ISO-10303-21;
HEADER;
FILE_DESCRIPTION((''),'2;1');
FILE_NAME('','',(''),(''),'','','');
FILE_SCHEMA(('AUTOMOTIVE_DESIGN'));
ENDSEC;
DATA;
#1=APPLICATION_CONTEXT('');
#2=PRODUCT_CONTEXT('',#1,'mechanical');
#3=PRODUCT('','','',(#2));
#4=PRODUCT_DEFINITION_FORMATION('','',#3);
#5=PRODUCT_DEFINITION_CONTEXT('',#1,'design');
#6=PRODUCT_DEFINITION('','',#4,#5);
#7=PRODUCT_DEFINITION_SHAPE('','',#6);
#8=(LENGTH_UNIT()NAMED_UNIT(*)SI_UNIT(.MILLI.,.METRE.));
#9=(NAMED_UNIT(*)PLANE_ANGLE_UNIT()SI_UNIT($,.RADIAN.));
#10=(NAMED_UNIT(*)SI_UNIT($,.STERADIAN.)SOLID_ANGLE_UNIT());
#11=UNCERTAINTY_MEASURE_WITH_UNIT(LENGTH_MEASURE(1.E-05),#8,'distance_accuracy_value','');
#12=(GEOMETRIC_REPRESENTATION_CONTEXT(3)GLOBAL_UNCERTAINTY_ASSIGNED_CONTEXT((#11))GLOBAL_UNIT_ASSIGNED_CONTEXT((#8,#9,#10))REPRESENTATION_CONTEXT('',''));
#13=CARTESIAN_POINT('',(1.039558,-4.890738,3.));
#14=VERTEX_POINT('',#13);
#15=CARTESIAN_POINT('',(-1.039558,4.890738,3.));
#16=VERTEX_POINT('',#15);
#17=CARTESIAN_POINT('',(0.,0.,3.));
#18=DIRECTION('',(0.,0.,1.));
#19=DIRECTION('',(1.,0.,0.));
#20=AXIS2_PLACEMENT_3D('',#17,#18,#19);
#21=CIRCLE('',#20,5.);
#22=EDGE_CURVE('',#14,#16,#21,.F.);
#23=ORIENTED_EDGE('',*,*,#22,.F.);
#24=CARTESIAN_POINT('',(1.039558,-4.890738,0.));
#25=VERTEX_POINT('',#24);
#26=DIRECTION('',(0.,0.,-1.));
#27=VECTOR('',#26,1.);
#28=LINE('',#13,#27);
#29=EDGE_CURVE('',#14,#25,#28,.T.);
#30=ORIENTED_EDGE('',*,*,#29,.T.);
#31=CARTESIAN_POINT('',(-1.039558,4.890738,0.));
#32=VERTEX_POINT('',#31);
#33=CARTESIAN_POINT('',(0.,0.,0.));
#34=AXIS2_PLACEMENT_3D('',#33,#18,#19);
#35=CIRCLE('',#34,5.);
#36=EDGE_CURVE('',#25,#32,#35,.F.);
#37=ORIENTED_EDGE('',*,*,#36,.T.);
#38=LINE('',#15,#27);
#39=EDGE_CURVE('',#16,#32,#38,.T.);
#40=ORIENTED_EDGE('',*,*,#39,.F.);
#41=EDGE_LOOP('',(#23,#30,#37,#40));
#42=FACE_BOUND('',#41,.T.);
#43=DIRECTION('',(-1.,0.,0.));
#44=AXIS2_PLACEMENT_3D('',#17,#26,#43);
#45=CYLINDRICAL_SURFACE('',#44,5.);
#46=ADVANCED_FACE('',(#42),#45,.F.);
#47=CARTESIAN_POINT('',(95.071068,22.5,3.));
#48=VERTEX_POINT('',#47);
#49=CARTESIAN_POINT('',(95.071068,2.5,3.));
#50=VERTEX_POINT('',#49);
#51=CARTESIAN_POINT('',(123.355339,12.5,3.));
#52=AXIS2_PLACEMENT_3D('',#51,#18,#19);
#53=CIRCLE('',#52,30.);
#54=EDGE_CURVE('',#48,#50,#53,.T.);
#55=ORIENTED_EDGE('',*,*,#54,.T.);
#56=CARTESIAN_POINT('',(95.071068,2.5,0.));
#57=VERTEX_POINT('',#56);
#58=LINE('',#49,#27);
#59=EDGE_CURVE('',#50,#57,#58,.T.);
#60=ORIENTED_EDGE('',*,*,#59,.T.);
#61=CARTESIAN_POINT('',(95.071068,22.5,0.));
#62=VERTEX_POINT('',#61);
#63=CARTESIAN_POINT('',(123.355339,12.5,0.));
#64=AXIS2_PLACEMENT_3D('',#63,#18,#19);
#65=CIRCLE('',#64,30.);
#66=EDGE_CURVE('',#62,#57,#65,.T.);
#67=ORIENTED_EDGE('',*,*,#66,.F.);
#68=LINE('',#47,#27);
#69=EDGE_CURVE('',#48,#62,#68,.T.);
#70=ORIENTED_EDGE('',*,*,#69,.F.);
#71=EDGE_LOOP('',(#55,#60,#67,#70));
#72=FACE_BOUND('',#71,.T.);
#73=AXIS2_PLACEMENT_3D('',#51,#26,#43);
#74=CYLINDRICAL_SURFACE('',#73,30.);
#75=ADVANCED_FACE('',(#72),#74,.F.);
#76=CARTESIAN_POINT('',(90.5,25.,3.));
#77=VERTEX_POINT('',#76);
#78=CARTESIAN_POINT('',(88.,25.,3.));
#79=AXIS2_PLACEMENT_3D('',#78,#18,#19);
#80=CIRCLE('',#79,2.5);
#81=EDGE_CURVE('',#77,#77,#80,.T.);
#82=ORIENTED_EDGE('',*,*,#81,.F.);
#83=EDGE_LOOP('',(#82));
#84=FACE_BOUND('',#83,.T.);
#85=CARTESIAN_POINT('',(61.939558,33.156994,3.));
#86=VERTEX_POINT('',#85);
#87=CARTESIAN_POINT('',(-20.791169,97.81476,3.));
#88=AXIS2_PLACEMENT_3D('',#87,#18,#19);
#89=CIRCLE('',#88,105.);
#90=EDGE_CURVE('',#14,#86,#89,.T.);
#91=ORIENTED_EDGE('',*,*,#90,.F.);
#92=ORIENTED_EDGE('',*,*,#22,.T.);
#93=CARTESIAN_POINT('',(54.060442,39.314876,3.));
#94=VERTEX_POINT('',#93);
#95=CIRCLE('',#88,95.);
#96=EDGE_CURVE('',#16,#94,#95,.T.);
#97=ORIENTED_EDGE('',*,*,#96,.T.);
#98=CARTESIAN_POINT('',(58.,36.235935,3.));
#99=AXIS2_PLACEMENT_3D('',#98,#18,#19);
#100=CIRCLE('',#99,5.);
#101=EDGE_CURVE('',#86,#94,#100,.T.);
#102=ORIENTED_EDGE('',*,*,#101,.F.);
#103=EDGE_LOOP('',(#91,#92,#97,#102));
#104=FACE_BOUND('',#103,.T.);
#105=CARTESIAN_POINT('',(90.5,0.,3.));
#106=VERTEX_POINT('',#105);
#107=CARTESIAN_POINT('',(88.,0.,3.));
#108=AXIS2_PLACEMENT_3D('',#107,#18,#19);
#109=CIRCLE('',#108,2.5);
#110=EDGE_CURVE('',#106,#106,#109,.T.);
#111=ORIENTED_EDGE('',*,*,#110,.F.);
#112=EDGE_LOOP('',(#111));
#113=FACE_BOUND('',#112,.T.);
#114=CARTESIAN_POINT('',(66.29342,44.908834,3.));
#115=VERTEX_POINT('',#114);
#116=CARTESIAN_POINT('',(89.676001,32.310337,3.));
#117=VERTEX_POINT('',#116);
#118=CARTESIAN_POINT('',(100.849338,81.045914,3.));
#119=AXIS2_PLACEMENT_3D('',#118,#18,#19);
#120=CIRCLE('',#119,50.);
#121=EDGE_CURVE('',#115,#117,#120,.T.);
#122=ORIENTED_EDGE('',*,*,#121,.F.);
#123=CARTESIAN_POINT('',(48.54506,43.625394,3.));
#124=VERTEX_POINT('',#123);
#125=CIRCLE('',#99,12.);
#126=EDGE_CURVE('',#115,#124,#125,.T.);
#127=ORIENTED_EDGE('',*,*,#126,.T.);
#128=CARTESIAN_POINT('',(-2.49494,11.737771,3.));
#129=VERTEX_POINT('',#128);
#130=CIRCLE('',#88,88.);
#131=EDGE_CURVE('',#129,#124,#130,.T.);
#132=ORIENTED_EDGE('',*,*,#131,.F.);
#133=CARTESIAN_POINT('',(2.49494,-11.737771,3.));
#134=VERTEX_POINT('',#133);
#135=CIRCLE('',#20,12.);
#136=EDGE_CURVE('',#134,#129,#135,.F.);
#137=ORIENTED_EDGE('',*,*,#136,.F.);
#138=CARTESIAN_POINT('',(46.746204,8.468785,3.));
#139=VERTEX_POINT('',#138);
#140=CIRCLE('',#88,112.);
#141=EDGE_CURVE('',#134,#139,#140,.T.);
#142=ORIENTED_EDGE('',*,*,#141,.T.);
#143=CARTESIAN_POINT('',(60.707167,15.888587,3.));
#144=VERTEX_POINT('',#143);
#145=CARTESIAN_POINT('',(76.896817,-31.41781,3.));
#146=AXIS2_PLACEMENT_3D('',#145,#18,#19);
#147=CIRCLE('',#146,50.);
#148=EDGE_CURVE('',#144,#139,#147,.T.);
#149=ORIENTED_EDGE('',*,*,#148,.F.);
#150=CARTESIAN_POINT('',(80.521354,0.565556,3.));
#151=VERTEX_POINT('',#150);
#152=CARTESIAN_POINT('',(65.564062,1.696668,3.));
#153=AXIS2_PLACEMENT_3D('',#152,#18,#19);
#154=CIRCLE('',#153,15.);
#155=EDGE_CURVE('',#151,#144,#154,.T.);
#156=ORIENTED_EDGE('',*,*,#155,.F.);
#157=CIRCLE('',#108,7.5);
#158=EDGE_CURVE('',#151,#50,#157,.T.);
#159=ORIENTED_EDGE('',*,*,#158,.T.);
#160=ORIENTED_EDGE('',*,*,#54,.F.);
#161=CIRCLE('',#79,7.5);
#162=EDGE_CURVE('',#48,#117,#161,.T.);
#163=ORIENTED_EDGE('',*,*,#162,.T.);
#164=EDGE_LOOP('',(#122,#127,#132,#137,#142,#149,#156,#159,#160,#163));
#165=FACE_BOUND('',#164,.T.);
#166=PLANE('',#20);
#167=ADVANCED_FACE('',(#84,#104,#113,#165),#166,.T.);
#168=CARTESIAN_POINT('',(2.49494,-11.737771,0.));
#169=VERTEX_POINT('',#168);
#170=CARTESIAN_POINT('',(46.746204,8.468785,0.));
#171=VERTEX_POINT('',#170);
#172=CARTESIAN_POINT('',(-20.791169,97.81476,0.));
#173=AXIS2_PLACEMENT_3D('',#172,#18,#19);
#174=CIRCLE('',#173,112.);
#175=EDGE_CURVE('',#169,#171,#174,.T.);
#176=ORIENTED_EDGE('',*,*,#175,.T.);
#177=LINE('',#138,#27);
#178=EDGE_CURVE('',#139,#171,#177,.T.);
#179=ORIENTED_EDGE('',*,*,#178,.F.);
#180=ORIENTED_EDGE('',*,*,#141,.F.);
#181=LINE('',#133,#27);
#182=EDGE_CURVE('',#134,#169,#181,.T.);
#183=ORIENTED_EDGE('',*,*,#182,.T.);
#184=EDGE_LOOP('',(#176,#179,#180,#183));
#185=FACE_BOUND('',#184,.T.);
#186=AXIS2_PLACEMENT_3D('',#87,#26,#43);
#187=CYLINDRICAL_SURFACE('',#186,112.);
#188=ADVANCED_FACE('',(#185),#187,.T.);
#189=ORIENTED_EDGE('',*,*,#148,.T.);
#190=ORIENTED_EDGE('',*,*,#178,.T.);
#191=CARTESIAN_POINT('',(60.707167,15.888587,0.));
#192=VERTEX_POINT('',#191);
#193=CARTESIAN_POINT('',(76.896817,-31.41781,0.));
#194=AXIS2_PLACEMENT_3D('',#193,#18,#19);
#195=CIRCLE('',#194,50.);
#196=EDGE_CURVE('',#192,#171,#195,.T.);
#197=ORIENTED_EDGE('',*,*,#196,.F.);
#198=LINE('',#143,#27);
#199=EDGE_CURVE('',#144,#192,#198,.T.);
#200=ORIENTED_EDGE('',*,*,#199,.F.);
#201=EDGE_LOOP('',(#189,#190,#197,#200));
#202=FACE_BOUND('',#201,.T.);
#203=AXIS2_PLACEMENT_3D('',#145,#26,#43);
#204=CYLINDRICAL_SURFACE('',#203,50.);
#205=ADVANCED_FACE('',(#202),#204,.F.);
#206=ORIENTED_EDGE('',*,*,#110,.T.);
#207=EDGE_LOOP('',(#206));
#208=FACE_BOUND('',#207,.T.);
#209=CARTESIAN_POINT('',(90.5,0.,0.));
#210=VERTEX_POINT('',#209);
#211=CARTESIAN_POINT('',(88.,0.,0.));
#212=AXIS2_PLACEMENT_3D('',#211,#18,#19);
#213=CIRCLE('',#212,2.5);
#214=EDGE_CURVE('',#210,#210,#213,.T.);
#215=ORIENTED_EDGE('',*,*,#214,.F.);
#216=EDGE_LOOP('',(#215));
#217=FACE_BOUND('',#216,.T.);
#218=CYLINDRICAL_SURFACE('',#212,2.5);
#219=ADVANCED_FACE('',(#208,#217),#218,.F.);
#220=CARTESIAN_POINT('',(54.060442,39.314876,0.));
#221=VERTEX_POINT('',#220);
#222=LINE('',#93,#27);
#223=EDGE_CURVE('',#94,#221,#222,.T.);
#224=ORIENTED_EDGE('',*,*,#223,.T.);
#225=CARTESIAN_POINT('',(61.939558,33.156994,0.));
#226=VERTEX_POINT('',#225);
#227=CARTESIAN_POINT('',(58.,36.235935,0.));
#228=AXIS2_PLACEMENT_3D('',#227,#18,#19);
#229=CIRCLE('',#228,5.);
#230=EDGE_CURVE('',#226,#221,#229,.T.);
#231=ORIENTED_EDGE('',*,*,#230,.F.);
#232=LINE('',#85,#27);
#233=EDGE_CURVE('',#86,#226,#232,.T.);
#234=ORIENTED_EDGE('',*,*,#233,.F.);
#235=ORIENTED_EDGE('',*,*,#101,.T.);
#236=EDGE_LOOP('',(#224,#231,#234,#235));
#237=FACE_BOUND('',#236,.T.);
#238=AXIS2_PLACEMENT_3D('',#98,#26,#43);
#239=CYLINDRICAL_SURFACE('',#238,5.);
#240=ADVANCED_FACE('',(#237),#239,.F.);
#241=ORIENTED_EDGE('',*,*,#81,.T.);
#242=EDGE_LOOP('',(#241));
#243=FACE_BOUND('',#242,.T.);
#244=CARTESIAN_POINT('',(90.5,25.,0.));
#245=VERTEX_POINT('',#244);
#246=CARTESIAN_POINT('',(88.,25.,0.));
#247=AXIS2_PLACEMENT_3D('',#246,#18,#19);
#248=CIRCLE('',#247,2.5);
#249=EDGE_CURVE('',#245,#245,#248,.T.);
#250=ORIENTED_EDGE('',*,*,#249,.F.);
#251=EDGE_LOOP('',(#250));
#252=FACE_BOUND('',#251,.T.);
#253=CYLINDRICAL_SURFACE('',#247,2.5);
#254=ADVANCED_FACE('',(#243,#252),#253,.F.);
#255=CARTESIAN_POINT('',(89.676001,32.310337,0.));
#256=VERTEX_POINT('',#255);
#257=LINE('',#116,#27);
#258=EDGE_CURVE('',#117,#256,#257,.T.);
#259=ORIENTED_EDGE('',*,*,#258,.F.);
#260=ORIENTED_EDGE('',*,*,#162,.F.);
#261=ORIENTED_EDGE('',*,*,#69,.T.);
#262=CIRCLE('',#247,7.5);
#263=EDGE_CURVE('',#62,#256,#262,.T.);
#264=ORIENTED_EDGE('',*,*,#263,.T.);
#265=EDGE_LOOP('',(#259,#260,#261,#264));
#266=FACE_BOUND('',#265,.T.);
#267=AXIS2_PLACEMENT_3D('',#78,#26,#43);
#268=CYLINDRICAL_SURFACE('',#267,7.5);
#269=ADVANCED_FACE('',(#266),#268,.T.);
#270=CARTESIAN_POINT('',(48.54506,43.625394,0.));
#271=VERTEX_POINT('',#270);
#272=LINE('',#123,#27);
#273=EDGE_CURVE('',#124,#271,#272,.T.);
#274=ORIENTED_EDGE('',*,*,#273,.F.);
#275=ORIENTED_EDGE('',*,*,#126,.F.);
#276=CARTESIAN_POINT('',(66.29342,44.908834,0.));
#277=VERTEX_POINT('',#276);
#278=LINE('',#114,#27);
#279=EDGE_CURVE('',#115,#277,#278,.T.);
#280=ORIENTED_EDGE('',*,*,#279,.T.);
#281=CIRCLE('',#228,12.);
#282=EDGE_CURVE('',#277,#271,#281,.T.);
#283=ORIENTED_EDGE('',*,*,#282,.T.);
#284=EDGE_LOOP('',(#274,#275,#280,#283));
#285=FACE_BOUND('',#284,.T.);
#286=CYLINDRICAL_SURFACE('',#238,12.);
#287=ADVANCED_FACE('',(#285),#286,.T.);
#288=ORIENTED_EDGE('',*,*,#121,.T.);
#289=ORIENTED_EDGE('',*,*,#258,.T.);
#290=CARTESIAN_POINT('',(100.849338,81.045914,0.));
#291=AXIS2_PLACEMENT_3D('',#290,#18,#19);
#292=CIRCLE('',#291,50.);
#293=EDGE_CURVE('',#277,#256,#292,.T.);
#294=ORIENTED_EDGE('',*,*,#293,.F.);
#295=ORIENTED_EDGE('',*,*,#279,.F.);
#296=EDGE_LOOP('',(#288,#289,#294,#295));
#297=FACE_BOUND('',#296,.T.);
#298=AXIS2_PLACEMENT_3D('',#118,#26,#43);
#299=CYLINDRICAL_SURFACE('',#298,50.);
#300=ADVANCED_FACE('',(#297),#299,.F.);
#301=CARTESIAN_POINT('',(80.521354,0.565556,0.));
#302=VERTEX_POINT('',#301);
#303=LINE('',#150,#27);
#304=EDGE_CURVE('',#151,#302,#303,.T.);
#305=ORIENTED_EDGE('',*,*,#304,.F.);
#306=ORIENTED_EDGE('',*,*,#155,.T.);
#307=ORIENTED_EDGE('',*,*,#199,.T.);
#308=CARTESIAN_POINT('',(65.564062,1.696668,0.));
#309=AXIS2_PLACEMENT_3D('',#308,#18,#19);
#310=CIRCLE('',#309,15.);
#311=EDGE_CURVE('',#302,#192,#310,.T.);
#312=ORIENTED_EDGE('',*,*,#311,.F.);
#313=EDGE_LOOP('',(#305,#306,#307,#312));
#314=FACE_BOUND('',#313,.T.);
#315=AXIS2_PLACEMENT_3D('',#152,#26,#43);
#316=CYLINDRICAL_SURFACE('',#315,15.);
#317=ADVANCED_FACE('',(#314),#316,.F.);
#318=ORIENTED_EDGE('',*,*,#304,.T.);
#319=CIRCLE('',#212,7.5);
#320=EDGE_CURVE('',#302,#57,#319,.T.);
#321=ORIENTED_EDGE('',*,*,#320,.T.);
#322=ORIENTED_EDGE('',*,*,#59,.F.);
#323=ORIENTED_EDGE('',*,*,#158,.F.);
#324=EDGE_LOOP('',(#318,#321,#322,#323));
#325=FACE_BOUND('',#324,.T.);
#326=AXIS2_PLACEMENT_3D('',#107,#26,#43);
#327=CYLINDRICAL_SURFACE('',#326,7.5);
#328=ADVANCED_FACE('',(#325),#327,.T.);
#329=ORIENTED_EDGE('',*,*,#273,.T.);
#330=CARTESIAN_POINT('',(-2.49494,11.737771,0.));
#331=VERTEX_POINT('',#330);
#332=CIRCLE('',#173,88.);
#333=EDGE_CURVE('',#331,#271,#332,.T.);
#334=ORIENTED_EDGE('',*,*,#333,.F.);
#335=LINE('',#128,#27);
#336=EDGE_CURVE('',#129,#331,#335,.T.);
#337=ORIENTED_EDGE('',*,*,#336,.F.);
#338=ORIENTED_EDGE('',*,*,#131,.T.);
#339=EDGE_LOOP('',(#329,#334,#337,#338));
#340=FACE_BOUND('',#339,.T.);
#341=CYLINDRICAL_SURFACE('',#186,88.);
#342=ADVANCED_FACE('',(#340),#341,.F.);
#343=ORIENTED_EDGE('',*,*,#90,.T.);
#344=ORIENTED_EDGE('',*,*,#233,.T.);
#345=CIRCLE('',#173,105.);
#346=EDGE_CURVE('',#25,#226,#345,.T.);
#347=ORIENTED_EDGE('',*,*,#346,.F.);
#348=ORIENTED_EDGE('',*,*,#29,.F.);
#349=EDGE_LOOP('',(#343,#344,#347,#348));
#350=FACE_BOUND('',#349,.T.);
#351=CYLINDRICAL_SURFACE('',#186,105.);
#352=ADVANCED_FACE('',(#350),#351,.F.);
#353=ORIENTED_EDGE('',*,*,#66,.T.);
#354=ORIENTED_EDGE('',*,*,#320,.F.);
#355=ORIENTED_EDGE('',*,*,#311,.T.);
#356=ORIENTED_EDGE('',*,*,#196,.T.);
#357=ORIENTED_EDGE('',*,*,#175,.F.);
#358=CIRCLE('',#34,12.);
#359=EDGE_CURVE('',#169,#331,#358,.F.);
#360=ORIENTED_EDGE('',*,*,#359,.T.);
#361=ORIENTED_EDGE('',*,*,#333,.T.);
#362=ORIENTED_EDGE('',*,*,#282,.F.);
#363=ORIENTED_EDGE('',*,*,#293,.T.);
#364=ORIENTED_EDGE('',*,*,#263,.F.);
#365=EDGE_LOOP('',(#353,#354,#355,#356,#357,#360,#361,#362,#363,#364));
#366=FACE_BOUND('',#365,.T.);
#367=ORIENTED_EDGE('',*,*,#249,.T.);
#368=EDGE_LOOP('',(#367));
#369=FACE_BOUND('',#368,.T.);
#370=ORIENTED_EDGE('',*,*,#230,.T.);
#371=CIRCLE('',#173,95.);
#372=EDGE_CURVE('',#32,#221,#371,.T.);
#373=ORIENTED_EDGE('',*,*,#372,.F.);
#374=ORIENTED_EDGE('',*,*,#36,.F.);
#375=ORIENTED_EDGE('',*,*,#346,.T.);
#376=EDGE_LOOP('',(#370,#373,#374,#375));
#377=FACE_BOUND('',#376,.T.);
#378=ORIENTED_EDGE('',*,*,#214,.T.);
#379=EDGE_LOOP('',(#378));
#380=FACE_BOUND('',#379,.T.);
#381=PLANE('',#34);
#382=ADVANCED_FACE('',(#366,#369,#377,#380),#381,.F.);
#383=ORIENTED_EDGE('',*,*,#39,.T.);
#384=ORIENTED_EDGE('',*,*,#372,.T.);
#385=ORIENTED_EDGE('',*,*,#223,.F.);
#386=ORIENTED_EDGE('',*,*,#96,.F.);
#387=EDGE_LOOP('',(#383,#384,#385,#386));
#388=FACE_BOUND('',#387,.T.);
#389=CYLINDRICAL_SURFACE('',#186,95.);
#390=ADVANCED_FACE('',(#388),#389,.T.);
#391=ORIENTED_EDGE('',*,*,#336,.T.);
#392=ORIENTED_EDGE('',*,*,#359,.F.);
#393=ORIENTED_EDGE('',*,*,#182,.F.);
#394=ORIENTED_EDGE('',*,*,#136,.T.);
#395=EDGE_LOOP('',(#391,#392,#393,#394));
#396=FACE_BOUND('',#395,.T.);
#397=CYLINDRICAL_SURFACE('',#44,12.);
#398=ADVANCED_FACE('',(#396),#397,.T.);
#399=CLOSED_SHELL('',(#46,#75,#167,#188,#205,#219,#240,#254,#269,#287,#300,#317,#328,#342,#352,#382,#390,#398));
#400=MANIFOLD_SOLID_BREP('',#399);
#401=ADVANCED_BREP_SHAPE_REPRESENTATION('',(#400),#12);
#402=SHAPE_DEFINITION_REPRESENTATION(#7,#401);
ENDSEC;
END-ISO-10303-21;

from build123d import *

# Parameters (mm, degrees)
EXTRUDE_1_DEPTH     = 3
EXTRUDE_2_DEPTH     = 3
SKETCH_3_R          = 2.5
CUT_EXTRUDE_1_DEPTH = 3
EXTRUDE_3_DEPTH     = 3
SKETCH_5_R          = 2.5
CUT_EXTRUDE_2_DEPTH = 108.032497136


with BuildPart() as part:
    # 草图1 → 凸台-拉伸1 (new body)
    with BuildSketch(Plane.XY):
        with BuildLine():
            ThreePointArc((-2.49494029, 11.737771209), (-11.737771209, -2.49494029), (2.49494029, -11.737771209))
            ThreePointArc((2.49494029, -11.737771209), (38.552147634, 2.82859918), (67.45494029, 28.846476198))
            ThreePointArc((67.45494029, 28.846476198), (65.389458987, 45.690875474), (48.54505971, 43.625394171))
            ThreePointArc((48.54505971, 43.625394171), (25.835722623, 23.182776515), (-2.49494029, 11.737771209))
        make_face()
        with BuildLine():
            ThreePointArc((61.939558454, 33.15699394), (34.843190339, 8.765234236), (1.039558454, -4.890738004))
            ThreePointArc((1.039558454, -4.890738004), (-4.890738004, -1.039558454), (-1.039558454, 4.890738004))
            ThreePointArc((-1.039558454, 4.890738004), (29.544679918, 17.246141459), (54.060441546, 39.314876429))
            ThreePointArc((54.060441546, 39.314876429), (61.078941244, 40.175493638), (61.939558454, 33.15699394))
        make_face(mode=Mode.SUBTRACT)
    extrude(amount=EXTRUDE_1_DEPTH)

    # 草图2 → 凸台-拉伸2 (add)
    with BuildSketch(Plane.XY):
        with BuildLine():
            ThreePointArc((89.676000633, 32.310336646), (77.132851548, 37.028551056), (66.293420251, 44.908834385))
            ThreePointArc((66.293420251, 44.908834385), (69.968747349, 37.101433246), (67.45494029, 28.846476198))
            ThreePointArc((67.45494029, 28.846476198), (57.764135997, 17.983287307), (46.746204448, 8.468785476))
            ThreePointArc((46.746204448, 8.468785476), (65.669563572, 17.30537468), (86.551758878, 17.641155141))
            ThreePointArc((86.551758878, 17.641155141), (95.33547477, 23.437690844), (89.676000633, 32.310336646))
        make_face()
    extrude(amount=EXTRUDE_2_DEPTH)

    # 草图3 → 切除-拉伸1 (cut)
    with BuildSketch(Plane.XY.offset(3)):
        with Locations((88, 25)):
            Circle(SKETCH_3_R)
    extrude(amount=-CUT_EXTRUDE_1_DEPTH, mode=Mode.SUBTRACT)

    # 草图4 → 凸台-拉伸3 (add)
    with BuildSketch(Plane.XY):
        with BuildLine():
            ThreePointArc((80.52135397, 0.56555597), (88.988457626, -7.4345781), (95.071067795, 2.500000049))
            ThreePointArc((95.071067795, 2.500000049), (93.355339059, 12.500000074), (95.071067844, 22.500000091))
            ThreePointArc((95.071067844, 22.500000091), (91.715661231, 18.485104635), (86.551758798, 17.641155157))
            ThreePointArc((86.551758798, 17.641155157), (73.513996149, 18.467623485), (60.707166945, 15.888586743))
            ThreePointArc((60.707166945, 15.888586743), (74.740298782, 13.562445033), (80.52135397, 0.56555597))
        make_face()
    extrude(amount=EXTRUDE_3_DEPTH)

    # 草图5 → 切除-拉伸2 (cut, through all)
    with BuildSketch(Plane.XY.offset(3)):
        with Locations((88, 0)):
            Circle(SKETCH_5_R)
    extrude(amount=-CUT_EXTRUDE_2_DEPTH, mode=Mode.SUBTRACT)


solid = part.part
